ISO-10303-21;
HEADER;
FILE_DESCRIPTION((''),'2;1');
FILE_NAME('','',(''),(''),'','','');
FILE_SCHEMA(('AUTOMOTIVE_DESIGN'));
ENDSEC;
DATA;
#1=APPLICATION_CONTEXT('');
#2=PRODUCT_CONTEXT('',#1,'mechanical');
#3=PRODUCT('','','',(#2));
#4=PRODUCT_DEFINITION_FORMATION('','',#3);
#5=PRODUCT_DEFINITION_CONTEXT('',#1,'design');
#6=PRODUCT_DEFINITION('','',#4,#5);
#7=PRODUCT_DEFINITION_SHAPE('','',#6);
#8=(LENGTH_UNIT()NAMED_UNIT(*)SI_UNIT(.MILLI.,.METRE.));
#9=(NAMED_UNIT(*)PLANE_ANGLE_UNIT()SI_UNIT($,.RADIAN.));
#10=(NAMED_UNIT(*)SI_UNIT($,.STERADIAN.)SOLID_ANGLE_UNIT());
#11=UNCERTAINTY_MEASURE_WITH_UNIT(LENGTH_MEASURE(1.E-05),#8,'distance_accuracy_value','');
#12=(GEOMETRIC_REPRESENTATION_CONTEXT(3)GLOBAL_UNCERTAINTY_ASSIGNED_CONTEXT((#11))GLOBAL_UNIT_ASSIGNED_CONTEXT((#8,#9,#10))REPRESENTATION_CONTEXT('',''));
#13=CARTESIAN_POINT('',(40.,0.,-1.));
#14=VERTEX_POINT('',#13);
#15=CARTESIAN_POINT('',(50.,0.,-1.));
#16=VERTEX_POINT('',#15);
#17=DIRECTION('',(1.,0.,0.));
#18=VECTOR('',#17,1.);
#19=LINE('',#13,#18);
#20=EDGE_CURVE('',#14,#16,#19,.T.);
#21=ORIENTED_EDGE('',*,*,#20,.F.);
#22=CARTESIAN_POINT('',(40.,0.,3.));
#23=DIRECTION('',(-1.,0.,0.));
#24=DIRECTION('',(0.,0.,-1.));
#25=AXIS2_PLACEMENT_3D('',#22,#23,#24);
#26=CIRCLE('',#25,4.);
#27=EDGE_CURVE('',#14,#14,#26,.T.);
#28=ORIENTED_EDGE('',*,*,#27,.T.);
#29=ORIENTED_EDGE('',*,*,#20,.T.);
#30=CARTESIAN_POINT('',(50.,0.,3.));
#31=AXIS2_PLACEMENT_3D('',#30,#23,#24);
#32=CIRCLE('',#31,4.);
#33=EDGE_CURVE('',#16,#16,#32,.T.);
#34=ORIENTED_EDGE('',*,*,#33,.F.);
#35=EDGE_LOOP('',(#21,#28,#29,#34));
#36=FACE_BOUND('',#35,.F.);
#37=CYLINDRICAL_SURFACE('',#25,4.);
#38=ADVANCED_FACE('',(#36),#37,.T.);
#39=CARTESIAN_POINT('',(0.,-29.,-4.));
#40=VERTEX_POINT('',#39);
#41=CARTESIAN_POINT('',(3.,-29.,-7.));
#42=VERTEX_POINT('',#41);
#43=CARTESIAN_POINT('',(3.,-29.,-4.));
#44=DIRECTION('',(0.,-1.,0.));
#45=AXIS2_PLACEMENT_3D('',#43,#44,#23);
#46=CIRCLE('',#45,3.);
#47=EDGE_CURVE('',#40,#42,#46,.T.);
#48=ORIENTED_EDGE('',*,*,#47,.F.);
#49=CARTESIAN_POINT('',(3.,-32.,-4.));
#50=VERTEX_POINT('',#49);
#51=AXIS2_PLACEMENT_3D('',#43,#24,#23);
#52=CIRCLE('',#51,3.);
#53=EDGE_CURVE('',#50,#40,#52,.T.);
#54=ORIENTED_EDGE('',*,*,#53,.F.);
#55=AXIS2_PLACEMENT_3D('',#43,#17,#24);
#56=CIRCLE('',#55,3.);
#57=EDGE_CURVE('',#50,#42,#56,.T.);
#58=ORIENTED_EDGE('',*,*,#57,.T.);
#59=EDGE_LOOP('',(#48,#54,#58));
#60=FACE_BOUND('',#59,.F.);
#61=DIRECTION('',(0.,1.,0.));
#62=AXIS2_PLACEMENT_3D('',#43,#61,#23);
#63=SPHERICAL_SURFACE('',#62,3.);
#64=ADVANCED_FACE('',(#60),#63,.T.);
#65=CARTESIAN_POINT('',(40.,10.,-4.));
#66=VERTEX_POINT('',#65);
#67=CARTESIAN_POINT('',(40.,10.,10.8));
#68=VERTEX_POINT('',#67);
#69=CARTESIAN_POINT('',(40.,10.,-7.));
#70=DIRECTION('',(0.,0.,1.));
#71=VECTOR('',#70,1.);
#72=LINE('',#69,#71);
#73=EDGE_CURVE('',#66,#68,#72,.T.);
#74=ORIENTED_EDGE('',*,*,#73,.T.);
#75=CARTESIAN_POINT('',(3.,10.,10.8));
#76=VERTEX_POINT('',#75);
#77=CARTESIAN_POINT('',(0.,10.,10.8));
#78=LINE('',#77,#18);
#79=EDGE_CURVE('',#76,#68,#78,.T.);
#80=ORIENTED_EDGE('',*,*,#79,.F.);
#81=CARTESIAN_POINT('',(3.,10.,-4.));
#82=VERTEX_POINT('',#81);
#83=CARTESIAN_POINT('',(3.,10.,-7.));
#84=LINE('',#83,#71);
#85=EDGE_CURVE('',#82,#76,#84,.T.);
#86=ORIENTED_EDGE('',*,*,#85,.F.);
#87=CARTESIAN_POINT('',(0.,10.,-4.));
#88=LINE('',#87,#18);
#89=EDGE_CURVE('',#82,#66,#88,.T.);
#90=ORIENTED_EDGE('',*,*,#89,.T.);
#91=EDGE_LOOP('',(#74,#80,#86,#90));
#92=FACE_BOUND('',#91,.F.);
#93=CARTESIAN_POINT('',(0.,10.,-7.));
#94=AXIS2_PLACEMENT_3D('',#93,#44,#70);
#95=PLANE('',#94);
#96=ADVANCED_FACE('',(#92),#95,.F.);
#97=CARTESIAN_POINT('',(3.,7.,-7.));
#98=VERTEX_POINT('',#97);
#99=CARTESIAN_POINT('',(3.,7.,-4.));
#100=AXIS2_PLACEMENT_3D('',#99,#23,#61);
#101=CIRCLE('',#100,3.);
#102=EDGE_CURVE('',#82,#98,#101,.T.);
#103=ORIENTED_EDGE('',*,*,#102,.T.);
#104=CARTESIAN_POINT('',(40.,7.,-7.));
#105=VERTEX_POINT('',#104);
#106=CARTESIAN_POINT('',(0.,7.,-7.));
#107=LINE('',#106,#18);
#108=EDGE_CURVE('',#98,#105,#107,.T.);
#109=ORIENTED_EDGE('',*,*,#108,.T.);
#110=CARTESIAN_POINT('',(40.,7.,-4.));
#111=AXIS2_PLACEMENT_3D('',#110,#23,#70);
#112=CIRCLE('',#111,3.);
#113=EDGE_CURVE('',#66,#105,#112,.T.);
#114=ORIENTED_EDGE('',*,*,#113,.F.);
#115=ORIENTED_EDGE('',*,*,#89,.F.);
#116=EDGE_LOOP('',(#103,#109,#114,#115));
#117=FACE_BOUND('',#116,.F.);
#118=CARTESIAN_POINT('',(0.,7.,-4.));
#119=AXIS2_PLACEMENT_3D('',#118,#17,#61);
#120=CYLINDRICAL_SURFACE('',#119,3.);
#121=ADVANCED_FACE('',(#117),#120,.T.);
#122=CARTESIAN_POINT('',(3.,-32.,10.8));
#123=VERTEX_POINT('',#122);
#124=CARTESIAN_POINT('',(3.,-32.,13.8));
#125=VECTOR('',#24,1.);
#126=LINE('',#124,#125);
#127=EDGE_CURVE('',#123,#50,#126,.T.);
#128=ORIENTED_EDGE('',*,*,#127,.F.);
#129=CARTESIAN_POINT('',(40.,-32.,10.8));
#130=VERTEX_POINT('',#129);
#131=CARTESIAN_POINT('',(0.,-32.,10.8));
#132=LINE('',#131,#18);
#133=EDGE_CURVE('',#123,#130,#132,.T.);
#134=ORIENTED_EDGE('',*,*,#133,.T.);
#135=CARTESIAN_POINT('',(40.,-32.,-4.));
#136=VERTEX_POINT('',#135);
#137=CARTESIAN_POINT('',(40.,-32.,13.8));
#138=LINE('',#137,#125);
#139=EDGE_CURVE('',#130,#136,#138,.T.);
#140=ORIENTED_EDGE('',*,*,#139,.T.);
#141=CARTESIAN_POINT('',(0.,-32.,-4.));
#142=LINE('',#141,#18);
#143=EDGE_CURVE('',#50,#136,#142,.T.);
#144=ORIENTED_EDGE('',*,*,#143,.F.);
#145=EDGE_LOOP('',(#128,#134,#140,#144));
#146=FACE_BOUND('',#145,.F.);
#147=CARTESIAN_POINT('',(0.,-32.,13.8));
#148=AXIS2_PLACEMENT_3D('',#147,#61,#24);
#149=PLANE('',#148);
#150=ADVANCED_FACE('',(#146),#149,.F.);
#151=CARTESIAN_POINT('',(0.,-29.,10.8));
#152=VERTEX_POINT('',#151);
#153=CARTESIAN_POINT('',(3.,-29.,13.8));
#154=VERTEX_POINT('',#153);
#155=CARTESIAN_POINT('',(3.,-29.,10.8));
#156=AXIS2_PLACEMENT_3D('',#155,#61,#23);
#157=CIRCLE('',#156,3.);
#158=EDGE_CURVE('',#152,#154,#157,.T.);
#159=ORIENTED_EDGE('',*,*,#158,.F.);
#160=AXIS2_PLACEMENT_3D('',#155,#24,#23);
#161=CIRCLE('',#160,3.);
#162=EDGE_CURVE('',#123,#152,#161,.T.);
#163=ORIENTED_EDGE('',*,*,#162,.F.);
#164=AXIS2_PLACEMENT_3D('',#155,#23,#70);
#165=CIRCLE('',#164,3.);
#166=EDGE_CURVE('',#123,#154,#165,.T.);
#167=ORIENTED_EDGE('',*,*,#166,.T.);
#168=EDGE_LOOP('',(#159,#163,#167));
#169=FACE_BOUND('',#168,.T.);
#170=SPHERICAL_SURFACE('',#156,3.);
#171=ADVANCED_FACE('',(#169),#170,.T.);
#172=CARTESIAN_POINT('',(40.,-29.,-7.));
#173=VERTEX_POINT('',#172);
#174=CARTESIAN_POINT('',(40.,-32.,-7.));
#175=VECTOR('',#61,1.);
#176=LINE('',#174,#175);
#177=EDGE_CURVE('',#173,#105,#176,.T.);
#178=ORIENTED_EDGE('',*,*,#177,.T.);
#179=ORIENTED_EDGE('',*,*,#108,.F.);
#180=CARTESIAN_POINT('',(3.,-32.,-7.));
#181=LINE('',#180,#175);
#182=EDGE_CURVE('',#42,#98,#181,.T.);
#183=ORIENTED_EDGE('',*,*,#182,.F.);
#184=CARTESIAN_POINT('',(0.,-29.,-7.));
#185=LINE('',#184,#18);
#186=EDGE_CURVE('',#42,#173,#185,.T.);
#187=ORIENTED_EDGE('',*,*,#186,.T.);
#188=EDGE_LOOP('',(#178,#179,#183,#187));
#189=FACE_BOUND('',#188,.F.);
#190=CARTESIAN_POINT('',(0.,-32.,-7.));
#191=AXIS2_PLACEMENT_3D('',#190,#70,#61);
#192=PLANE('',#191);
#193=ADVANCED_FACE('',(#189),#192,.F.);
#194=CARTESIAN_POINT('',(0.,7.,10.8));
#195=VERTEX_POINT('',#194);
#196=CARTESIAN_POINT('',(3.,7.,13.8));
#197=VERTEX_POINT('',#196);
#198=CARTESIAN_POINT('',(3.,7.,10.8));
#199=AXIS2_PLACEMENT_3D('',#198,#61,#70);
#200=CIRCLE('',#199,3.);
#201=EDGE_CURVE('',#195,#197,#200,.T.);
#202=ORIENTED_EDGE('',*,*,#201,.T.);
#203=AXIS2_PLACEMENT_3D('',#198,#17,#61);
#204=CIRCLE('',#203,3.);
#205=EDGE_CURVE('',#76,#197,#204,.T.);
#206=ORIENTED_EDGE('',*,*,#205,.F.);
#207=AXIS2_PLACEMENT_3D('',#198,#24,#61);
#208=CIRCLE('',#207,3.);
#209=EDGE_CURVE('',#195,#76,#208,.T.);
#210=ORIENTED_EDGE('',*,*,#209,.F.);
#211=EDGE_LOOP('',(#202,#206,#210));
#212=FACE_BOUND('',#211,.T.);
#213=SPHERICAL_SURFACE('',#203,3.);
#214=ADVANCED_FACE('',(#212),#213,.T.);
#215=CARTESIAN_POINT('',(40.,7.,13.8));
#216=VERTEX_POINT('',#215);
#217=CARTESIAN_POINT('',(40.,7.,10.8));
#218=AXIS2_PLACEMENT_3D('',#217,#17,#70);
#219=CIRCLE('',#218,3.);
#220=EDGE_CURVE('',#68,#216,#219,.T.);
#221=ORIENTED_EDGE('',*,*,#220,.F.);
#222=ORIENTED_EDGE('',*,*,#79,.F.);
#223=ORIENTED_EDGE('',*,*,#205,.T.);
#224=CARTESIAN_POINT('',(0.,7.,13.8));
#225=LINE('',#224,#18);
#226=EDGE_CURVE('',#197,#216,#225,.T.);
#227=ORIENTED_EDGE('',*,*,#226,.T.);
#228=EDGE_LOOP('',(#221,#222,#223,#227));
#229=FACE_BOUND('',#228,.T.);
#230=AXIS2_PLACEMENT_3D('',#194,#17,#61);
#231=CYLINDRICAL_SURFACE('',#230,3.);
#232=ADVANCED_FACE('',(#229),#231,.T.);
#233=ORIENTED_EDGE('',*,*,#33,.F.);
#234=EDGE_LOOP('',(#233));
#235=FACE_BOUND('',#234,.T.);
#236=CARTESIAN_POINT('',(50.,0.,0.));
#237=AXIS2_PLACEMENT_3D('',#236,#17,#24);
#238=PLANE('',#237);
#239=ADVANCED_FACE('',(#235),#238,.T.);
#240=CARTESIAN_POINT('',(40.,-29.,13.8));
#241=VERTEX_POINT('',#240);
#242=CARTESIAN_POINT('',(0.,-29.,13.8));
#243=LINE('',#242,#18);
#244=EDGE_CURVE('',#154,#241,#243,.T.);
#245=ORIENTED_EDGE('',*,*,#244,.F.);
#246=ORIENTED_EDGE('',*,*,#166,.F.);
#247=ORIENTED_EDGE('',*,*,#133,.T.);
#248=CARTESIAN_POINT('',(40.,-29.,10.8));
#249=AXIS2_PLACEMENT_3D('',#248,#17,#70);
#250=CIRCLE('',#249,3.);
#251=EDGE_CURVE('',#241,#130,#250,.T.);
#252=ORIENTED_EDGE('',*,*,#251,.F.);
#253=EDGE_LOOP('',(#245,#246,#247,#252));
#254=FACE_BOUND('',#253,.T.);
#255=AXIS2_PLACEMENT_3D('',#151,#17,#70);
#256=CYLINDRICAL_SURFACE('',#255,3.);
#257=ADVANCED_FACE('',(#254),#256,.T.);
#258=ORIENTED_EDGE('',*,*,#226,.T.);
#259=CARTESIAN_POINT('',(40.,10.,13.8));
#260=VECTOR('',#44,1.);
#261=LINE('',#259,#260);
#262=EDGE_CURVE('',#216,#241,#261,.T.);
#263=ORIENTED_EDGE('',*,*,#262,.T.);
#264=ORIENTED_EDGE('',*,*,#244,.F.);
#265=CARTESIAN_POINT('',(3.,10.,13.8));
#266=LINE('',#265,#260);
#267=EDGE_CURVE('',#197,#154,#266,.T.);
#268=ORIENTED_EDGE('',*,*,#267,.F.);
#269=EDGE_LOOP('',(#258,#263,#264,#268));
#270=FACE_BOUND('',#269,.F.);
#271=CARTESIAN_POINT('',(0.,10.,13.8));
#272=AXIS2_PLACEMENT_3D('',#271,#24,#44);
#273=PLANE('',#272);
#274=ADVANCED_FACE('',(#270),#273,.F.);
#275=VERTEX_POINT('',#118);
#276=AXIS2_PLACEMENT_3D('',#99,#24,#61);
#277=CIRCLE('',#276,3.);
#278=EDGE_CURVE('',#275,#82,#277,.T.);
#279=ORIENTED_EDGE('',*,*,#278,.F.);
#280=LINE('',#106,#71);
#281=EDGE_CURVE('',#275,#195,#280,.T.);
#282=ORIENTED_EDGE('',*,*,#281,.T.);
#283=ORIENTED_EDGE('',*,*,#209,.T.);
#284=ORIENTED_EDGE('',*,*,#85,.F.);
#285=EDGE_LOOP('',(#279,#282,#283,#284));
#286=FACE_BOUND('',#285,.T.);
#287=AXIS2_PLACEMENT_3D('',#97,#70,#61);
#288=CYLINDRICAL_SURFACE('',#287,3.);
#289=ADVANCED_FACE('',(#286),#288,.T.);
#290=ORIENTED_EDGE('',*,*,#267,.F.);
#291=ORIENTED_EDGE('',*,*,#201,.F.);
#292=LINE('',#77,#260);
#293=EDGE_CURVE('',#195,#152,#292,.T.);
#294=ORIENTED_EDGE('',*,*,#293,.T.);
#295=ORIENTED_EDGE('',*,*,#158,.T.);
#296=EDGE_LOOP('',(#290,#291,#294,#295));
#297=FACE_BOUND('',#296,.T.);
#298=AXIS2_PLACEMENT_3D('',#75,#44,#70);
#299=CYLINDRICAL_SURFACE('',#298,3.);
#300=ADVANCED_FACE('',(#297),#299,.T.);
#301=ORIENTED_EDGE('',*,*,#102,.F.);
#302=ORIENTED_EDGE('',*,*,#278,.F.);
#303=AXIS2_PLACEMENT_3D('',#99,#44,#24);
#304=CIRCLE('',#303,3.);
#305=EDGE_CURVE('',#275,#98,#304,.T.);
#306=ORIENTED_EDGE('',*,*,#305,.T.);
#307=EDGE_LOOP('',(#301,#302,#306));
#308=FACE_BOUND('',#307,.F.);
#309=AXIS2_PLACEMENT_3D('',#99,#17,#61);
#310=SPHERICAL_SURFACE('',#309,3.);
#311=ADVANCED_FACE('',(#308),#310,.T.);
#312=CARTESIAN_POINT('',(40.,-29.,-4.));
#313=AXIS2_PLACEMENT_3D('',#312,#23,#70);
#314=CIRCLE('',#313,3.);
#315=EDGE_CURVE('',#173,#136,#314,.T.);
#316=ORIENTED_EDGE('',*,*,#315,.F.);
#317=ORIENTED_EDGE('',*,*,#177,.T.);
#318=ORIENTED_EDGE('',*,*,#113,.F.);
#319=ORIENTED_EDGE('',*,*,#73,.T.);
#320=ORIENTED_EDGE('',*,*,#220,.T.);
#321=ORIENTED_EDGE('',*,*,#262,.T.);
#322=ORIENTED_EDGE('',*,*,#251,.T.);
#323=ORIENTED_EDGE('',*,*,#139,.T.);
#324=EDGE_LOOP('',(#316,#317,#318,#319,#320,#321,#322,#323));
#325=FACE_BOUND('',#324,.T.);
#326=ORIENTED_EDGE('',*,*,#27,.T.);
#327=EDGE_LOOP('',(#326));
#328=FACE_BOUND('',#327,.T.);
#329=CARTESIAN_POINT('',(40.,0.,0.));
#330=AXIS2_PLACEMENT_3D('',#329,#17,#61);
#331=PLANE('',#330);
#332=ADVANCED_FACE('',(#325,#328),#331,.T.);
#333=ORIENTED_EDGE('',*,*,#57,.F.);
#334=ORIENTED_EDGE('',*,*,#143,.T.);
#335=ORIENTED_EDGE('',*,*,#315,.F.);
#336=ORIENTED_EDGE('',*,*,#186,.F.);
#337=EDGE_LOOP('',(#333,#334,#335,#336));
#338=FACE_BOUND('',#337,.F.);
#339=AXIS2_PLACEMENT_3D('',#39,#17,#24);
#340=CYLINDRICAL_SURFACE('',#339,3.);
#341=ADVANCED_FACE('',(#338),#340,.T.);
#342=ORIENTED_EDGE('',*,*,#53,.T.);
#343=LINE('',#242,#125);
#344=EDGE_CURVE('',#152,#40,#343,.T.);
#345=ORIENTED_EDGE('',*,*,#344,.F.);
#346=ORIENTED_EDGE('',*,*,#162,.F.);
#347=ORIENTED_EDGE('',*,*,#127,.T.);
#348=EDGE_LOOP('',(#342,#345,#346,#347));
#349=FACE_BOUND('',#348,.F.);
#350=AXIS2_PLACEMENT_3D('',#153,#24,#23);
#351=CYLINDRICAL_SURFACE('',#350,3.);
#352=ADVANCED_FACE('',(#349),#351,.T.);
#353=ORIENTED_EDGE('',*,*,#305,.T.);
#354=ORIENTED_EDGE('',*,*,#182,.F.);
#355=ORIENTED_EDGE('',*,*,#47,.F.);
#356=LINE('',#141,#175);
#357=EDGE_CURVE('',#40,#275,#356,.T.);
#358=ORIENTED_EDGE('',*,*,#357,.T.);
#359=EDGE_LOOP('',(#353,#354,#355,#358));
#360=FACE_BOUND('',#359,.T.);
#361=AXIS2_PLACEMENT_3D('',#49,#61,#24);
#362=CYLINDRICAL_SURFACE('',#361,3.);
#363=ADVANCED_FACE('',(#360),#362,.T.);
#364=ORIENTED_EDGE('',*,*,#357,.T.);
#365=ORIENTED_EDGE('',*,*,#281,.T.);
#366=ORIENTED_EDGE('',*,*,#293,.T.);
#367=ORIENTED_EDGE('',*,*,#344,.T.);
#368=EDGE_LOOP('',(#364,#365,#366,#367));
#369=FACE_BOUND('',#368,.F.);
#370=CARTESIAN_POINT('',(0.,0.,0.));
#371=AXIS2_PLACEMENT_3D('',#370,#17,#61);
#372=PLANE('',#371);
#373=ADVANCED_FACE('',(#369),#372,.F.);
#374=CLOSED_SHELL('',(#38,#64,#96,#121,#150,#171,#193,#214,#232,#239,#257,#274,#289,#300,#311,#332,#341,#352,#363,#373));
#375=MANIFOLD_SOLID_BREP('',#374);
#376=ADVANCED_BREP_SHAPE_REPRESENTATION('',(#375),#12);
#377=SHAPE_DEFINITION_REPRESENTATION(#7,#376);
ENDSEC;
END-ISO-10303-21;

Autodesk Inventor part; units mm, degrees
ref_plane "YZ Plane" through (0, 0, 0) normal (1, 0, 0) x (0, 1, 0)
ref_plane "XZ Plane" through (0, 0, 0) normal (0, 1, 0) x (-1, 0, 0)
ref_plane "XY Plane" through (0, 0, 0) normal (0, 0, 1) x (1, 0, 0)
sketch "Esquisse1" plane through (0, 0, 0) normal (1, 0, 0) x (0, 1, 0)
  line L0 (10, 13.8) -> (-32, 13.8)
  line L1 (-32, 13.8) -> (-32, -7)
  line L2 (-32, -7) -> (10, -7)
  line L3 (10, -7) -> (10, 13.8)
  point P0 (0, 0)
  dimension "d0" = 42
  dimension "d1" = 20.8
extrude "Extrusion1" add sketch "Esquisse1" along normal blind 40
sketch "Esquisse2" plane through (40, 0, 0) normal (1, 0, 0) x (0, 0, -1)
  circle A0 centre (-3, 0) radius 4
  line L0 (7, 10) -> (-13.8, 10) projected
  line L1 (-3.4, 0) -> (-13.8, 0)
  line L2 (-3, 0) -> (7, 0)
  point P0 (0, 0)
  dimension "d4" = 10
extrude "Extrusion2" add sketch "Esquisse2" along normal blind 10
fillet "Congé1" radius 3 8 edges at (20, 10, 13.8) (20, 10, -7) (0, 10, 3.4) (0, -11, 13.8) (0, -11, -7) (0, -32, 3.4) (20, -32, 13.8) (20, -32, -7)
properties part number "servomoteur"
